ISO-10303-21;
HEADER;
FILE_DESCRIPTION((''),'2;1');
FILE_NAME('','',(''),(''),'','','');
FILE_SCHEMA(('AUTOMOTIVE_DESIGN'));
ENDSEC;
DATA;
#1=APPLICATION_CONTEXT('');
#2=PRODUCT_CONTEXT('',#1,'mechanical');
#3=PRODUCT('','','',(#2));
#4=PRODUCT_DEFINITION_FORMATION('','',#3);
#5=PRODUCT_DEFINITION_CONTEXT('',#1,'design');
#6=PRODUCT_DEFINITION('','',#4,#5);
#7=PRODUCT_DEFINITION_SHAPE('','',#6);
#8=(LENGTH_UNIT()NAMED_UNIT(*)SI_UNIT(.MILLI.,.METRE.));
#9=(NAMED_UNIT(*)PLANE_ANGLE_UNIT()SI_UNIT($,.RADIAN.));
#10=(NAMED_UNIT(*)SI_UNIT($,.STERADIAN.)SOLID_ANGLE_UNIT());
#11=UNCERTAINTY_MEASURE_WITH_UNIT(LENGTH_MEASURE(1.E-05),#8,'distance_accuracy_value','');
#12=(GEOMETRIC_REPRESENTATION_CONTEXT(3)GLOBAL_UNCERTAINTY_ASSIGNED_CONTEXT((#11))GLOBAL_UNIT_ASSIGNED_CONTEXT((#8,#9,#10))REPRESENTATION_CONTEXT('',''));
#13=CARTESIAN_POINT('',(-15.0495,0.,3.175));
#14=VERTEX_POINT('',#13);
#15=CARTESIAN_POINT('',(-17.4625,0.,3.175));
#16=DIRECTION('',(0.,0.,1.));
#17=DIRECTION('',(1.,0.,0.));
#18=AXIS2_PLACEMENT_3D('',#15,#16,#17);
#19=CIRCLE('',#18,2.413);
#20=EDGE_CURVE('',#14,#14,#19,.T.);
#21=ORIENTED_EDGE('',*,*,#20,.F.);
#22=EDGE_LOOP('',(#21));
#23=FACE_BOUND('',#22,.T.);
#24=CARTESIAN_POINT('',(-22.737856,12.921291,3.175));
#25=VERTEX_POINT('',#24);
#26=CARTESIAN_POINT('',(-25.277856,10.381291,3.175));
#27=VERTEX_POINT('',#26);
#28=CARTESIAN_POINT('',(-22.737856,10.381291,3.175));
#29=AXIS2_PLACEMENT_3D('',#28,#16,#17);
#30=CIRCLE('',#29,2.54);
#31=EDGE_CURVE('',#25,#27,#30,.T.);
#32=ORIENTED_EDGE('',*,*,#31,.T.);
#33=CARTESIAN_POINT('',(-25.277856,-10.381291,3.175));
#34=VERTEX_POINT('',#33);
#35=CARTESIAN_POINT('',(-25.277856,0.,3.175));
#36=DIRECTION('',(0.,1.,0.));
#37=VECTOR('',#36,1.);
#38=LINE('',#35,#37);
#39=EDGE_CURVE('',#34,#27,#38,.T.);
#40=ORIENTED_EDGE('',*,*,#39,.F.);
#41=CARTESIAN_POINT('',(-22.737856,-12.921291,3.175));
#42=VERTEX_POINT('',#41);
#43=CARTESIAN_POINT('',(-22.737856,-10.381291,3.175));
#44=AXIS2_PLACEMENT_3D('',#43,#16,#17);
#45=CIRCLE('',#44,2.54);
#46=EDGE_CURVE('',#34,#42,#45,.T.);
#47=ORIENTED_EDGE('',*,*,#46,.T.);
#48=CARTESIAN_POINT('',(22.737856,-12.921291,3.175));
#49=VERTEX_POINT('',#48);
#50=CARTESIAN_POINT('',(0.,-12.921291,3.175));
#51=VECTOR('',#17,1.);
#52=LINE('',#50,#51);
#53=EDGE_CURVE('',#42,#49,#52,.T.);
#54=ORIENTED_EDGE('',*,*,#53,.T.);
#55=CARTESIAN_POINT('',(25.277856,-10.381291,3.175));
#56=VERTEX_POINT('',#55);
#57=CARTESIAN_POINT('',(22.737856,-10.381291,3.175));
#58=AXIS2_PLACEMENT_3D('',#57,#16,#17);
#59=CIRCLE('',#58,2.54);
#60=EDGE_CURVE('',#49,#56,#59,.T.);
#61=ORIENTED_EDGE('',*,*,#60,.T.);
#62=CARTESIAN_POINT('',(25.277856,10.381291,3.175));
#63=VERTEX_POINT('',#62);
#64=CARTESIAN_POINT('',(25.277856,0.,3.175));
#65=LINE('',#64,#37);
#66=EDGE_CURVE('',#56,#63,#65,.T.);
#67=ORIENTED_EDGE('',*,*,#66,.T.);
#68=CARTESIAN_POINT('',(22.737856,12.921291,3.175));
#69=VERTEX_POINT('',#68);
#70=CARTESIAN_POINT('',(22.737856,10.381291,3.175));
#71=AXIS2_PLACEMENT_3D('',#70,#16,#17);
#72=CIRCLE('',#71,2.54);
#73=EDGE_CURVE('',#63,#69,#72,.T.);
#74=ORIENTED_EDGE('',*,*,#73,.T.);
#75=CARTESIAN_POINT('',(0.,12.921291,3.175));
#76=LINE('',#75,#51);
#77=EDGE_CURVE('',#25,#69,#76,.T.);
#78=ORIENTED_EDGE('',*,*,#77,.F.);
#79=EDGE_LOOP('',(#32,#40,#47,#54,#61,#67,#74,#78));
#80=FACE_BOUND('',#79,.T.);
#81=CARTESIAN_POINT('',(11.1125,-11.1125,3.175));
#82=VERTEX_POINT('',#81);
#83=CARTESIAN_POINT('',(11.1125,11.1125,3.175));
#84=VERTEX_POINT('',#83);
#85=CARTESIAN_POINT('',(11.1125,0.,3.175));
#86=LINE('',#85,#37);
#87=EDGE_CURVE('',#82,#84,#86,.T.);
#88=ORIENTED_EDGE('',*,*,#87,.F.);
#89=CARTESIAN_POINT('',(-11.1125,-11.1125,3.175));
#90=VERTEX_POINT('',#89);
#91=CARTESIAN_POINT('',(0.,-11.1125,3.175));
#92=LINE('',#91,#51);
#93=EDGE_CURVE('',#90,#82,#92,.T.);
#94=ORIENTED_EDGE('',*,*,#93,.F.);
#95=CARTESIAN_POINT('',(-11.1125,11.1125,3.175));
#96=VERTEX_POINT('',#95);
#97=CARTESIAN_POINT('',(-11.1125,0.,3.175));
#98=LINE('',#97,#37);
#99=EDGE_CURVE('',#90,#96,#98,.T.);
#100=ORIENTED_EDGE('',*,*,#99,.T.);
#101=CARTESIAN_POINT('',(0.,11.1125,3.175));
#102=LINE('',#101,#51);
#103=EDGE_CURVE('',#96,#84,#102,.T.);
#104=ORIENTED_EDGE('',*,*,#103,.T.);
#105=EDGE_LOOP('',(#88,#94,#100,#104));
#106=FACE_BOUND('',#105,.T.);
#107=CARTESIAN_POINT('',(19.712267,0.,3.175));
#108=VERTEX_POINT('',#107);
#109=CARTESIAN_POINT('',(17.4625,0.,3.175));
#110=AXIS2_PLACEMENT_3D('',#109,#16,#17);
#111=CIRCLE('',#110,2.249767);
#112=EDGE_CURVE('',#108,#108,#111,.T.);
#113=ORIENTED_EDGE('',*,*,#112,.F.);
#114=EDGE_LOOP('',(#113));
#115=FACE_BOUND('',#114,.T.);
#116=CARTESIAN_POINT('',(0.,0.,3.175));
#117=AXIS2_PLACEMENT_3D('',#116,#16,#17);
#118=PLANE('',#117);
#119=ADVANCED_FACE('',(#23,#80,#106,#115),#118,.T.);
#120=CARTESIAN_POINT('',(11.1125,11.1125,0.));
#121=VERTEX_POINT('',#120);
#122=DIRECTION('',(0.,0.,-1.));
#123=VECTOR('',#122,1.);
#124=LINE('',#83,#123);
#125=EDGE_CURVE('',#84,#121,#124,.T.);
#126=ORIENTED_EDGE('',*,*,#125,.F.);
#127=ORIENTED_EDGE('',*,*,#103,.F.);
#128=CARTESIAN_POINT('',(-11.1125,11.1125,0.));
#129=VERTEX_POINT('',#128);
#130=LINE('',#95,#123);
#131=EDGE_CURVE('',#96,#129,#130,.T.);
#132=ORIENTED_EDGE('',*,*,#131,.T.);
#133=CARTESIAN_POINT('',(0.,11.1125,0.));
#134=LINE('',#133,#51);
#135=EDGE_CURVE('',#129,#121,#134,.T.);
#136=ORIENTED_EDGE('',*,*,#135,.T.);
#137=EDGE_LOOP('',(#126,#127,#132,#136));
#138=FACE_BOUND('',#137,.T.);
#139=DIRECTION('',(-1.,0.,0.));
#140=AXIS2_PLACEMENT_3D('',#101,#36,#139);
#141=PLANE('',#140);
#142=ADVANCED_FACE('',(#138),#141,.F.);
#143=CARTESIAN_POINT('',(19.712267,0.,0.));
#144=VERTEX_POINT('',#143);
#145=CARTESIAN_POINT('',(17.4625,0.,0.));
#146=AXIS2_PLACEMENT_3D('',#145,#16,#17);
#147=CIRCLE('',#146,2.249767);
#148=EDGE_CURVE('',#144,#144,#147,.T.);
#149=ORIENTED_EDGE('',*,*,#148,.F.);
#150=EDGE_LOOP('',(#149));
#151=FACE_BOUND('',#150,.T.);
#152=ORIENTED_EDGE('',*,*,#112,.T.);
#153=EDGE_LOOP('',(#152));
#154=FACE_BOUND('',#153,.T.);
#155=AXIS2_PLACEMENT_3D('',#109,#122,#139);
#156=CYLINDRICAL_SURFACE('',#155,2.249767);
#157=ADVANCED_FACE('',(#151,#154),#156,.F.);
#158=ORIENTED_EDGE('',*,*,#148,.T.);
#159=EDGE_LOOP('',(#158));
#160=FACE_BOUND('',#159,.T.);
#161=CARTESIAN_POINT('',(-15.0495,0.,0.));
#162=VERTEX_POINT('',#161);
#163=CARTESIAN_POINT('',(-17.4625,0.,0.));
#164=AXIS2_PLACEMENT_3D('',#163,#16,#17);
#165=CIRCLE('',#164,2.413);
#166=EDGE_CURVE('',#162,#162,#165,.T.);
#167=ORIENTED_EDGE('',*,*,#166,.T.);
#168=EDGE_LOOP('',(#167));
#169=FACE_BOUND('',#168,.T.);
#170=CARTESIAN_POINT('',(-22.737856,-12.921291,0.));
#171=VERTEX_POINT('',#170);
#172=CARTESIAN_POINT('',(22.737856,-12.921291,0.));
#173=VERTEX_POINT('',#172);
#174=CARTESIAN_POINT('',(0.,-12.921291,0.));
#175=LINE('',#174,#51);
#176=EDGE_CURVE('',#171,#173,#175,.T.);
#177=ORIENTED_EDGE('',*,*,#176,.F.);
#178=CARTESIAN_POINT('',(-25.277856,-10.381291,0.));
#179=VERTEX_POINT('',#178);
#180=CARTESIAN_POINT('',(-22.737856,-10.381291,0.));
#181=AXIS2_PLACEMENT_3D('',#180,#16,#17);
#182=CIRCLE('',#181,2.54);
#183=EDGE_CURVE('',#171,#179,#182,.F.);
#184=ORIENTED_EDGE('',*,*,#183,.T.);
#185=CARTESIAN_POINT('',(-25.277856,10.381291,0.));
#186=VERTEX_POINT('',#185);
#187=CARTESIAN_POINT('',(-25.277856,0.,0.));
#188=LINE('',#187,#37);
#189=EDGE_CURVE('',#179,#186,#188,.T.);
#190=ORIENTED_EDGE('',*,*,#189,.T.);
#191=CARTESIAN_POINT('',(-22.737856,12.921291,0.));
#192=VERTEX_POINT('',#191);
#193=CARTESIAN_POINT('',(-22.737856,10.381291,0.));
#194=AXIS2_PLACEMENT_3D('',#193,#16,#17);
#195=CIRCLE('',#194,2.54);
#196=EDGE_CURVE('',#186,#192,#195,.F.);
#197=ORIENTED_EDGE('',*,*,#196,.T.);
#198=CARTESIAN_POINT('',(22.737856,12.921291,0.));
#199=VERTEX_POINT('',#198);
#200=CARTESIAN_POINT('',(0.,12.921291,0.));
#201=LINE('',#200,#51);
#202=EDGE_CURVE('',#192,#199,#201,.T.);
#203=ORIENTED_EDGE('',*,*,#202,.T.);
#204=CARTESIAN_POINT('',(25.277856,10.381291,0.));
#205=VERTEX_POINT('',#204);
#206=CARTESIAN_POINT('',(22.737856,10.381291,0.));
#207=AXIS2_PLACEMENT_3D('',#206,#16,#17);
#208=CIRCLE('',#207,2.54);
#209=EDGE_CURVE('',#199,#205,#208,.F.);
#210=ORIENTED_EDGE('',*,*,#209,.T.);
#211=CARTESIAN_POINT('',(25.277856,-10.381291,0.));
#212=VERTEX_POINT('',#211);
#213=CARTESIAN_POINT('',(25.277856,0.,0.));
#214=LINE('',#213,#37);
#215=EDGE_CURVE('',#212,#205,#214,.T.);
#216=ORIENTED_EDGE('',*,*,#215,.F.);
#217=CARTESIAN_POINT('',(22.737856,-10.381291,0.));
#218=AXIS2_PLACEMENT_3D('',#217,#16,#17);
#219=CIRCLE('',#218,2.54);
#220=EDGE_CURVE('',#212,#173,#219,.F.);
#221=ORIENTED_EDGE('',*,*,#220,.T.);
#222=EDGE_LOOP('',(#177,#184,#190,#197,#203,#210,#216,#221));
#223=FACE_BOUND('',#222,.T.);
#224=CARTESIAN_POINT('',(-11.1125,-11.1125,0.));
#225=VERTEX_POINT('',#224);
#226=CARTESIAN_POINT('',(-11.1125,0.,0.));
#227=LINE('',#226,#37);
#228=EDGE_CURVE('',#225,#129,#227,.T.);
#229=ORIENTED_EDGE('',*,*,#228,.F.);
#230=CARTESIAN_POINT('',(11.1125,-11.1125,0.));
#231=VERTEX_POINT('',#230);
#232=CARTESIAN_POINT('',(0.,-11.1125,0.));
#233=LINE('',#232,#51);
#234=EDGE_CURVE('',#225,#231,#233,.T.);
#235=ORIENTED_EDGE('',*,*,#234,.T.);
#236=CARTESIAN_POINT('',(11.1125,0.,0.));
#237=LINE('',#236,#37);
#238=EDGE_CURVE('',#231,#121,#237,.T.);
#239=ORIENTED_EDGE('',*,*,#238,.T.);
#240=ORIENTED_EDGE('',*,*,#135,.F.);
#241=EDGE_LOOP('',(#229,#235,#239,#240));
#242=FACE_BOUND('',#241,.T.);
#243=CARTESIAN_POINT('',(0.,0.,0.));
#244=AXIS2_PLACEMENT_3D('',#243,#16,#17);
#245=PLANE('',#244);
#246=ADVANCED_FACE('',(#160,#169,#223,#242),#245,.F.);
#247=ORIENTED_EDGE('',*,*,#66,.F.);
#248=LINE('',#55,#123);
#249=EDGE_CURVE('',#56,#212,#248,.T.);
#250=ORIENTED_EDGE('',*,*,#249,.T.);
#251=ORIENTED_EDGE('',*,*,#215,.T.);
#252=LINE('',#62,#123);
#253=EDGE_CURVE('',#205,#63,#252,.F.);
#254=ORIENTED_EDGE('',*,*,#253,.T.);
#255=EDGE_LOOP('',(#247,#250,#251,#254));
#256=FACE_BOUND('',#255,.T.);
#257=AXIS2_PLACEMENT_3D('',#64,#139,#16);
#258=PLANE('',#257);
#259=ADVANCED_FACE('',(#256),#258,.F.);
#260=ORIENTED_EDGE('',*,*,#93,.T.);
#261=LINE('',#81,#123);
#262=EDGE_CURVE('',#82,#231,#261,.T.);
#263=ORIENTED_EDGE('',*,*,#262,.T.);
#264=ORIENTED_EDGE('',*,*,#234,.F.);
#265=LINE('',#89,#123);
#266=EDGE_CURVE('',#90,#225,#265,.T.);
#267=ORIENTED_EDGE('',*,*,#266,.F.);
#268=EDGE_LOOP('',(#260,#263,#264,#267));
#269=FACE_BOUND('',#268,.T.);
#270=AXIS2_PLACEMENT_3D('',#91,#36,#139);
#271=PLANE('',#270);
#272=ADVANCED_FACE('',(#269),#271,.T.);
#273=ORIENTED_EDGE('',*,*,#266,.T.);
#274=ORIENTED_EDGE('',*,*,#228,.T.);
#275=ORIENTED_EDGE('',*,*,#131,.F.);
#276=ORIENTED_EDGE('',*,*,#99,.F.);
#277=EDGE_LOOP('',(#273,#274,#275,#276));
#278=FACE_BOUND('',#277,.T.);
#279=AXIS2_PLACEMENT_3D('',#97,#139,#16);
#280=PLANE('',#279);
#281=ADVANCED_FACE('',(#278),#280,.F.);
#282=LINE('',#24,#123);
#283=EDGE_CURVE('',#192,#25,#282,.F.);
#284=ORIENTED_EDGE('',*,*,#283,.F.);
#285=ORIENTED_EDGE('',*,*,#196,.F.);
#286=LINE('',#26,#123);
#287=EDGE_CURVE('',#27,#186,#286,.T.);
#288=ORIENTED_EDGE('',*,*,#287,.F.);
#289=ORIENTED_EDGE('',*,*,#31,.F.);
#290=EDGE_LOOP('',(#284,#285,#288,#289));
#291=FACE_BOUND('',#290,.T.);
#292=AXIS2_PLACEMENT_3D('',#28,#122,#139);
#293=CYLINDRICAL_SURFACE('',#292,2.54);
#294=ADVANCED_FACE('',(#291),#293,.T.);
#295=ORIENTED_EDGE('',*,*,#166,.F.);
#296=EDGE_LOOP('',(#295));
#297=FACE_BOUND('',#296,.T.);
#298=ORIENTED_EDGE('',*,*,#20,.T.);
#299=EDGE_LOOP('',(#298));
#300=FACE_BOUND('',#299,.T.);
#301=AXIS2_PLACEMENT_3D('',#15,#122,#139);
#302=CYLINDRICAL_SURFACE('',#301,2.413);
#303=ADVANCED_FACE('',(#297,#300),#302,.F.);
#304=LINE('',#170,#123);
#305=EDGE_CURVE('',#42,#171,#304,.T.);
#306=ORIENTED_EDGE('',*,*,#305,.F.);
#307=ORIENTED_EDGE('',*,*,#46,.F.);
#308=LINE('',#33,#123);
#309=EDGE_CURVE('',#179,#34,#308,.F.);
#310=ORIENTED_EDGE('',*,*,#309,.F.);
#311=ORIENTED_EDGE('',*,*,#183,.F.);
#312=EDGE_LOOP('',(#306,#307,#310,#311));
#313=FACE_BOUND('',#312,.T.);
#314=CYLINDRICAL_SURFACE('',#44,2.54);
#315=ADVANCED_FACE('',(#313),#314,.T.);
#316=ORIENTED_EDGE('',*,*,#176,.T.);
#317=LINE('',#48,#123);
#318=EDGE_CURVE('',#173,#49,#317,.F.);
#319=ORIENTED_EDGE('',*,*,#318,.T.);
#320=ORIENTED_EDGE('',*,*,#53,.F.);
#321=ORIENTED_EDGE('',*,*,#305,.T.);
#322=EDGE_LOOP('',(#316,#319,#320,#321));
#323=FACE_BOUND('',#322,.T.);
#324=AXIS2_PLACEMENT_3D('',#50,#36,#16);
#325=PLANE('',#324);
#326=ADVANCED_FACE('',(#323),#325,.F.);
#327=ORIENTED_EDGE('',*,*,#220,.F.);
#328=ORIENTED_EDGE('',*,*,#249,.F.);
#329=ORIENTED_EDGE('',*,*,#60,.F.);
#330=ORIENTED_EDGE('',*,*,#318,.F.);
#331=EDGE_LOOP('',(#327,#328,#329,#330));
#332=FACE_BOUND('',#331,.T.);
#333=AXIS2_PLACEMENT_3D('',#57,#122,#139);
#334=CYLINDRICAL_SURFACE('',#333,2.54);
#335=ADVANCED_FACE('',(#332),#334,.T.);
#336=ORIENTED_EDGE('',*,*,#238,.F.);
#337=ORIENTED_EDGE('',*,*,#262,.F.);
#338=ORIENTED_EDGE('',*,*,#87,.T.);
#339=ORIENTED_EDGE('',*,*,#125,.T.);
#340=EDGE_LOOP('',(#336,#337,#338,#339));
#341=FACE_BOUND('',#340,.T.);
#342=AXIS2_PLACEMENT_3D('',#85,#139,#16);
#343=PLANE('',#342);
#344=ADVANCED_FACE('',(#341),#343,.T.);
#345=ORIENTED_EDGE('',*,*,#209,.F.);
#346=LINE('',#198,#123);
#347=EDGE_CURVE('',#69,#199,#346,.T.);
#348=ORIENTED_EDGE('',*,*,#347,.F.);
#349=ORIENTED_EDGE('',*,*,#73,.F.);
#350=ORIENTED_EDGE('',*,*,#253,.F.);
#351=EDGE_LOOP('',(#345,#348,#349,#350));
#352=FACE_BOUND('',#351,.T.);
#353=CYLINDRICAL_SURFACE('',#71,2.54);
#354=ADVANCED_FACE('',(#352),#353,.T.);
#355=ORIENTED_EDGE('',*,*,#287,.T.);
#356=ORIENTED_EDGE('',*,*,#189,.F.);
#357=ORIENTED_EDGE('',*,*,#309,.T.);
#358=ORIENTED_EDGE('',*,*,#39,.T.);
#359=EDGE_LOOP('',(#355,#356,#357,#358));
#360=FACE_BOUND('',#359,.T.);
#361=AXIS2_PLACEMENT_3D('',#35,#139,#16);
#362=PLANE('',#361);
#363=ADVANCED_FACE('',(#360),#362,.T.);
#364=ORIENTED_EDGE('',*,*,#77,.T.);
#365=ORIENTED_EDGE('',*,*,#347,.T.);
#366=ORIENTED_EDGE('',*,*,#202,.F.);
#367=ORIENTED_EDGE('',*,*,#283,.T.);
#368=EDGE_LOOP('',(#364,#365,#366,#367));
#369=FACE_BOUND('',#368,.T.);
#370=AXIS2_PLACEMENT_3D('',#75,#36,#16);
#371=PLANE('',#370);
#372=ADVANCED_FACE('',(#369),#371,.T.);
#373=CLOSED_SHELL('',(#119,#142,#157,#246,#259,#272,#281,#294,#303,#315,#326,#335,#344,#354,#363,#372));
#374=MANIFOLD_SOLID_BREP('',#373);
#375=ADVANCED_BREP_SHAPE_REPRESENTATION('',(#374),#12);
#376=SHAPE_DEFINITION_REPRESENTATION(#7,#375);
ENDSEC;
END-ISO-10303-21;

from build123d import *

# Parameters (mm, degrees)
SKETCH1_W           = 50.55571166
SKETCH1_H           = 25.842581666
SKETCH1_R           = 2.249766629
SKETCH1_R_2         = 2.413
SKETCH1_W_2         = 22.225
SKETCH1_H_2         = 22.225
BOSS_EXTRUDE1_DEPTH = 3.175
FILLET1_R           = 2.54


with BuildPart() as part:
    # Sketch1 → Boss-Extrude1 (new body)
    with BuildSketch(Plane.XY):
        Rectangle(SKETCH1_W, SKETCH1_H)
        with Locations((17.4625, 0)):
            Circle(SKETCH1_R, mode=Mode.SUBTRACT)
        with Locations((-17.4625, 0)):
            Circle(SKETCH1_R_2, mode=Mode.SUBTRACT)
        Rectangle(SKETCH1_W_2, SKETCH1_H_2, mode=Mode.SUBTRACT)
    extrude(amount=BOSS_EXTRUDE1_DEPTH)

    # Fillet1
    fillet1_edges = [part.edges().sort_by_distance(p)[0] for p in [
        (-25.27785583, -12.921290833, 1.5875),
        (-25.27785583, 12.921290833, 1.5875),
        (25.27785583, 12.921290833, 1.5875),
        (25.27785583, -12.921290833, 1.5875),
    ]]
    fillet(fillet1_edges, radius=FILLET1_R)


solid = part.part
